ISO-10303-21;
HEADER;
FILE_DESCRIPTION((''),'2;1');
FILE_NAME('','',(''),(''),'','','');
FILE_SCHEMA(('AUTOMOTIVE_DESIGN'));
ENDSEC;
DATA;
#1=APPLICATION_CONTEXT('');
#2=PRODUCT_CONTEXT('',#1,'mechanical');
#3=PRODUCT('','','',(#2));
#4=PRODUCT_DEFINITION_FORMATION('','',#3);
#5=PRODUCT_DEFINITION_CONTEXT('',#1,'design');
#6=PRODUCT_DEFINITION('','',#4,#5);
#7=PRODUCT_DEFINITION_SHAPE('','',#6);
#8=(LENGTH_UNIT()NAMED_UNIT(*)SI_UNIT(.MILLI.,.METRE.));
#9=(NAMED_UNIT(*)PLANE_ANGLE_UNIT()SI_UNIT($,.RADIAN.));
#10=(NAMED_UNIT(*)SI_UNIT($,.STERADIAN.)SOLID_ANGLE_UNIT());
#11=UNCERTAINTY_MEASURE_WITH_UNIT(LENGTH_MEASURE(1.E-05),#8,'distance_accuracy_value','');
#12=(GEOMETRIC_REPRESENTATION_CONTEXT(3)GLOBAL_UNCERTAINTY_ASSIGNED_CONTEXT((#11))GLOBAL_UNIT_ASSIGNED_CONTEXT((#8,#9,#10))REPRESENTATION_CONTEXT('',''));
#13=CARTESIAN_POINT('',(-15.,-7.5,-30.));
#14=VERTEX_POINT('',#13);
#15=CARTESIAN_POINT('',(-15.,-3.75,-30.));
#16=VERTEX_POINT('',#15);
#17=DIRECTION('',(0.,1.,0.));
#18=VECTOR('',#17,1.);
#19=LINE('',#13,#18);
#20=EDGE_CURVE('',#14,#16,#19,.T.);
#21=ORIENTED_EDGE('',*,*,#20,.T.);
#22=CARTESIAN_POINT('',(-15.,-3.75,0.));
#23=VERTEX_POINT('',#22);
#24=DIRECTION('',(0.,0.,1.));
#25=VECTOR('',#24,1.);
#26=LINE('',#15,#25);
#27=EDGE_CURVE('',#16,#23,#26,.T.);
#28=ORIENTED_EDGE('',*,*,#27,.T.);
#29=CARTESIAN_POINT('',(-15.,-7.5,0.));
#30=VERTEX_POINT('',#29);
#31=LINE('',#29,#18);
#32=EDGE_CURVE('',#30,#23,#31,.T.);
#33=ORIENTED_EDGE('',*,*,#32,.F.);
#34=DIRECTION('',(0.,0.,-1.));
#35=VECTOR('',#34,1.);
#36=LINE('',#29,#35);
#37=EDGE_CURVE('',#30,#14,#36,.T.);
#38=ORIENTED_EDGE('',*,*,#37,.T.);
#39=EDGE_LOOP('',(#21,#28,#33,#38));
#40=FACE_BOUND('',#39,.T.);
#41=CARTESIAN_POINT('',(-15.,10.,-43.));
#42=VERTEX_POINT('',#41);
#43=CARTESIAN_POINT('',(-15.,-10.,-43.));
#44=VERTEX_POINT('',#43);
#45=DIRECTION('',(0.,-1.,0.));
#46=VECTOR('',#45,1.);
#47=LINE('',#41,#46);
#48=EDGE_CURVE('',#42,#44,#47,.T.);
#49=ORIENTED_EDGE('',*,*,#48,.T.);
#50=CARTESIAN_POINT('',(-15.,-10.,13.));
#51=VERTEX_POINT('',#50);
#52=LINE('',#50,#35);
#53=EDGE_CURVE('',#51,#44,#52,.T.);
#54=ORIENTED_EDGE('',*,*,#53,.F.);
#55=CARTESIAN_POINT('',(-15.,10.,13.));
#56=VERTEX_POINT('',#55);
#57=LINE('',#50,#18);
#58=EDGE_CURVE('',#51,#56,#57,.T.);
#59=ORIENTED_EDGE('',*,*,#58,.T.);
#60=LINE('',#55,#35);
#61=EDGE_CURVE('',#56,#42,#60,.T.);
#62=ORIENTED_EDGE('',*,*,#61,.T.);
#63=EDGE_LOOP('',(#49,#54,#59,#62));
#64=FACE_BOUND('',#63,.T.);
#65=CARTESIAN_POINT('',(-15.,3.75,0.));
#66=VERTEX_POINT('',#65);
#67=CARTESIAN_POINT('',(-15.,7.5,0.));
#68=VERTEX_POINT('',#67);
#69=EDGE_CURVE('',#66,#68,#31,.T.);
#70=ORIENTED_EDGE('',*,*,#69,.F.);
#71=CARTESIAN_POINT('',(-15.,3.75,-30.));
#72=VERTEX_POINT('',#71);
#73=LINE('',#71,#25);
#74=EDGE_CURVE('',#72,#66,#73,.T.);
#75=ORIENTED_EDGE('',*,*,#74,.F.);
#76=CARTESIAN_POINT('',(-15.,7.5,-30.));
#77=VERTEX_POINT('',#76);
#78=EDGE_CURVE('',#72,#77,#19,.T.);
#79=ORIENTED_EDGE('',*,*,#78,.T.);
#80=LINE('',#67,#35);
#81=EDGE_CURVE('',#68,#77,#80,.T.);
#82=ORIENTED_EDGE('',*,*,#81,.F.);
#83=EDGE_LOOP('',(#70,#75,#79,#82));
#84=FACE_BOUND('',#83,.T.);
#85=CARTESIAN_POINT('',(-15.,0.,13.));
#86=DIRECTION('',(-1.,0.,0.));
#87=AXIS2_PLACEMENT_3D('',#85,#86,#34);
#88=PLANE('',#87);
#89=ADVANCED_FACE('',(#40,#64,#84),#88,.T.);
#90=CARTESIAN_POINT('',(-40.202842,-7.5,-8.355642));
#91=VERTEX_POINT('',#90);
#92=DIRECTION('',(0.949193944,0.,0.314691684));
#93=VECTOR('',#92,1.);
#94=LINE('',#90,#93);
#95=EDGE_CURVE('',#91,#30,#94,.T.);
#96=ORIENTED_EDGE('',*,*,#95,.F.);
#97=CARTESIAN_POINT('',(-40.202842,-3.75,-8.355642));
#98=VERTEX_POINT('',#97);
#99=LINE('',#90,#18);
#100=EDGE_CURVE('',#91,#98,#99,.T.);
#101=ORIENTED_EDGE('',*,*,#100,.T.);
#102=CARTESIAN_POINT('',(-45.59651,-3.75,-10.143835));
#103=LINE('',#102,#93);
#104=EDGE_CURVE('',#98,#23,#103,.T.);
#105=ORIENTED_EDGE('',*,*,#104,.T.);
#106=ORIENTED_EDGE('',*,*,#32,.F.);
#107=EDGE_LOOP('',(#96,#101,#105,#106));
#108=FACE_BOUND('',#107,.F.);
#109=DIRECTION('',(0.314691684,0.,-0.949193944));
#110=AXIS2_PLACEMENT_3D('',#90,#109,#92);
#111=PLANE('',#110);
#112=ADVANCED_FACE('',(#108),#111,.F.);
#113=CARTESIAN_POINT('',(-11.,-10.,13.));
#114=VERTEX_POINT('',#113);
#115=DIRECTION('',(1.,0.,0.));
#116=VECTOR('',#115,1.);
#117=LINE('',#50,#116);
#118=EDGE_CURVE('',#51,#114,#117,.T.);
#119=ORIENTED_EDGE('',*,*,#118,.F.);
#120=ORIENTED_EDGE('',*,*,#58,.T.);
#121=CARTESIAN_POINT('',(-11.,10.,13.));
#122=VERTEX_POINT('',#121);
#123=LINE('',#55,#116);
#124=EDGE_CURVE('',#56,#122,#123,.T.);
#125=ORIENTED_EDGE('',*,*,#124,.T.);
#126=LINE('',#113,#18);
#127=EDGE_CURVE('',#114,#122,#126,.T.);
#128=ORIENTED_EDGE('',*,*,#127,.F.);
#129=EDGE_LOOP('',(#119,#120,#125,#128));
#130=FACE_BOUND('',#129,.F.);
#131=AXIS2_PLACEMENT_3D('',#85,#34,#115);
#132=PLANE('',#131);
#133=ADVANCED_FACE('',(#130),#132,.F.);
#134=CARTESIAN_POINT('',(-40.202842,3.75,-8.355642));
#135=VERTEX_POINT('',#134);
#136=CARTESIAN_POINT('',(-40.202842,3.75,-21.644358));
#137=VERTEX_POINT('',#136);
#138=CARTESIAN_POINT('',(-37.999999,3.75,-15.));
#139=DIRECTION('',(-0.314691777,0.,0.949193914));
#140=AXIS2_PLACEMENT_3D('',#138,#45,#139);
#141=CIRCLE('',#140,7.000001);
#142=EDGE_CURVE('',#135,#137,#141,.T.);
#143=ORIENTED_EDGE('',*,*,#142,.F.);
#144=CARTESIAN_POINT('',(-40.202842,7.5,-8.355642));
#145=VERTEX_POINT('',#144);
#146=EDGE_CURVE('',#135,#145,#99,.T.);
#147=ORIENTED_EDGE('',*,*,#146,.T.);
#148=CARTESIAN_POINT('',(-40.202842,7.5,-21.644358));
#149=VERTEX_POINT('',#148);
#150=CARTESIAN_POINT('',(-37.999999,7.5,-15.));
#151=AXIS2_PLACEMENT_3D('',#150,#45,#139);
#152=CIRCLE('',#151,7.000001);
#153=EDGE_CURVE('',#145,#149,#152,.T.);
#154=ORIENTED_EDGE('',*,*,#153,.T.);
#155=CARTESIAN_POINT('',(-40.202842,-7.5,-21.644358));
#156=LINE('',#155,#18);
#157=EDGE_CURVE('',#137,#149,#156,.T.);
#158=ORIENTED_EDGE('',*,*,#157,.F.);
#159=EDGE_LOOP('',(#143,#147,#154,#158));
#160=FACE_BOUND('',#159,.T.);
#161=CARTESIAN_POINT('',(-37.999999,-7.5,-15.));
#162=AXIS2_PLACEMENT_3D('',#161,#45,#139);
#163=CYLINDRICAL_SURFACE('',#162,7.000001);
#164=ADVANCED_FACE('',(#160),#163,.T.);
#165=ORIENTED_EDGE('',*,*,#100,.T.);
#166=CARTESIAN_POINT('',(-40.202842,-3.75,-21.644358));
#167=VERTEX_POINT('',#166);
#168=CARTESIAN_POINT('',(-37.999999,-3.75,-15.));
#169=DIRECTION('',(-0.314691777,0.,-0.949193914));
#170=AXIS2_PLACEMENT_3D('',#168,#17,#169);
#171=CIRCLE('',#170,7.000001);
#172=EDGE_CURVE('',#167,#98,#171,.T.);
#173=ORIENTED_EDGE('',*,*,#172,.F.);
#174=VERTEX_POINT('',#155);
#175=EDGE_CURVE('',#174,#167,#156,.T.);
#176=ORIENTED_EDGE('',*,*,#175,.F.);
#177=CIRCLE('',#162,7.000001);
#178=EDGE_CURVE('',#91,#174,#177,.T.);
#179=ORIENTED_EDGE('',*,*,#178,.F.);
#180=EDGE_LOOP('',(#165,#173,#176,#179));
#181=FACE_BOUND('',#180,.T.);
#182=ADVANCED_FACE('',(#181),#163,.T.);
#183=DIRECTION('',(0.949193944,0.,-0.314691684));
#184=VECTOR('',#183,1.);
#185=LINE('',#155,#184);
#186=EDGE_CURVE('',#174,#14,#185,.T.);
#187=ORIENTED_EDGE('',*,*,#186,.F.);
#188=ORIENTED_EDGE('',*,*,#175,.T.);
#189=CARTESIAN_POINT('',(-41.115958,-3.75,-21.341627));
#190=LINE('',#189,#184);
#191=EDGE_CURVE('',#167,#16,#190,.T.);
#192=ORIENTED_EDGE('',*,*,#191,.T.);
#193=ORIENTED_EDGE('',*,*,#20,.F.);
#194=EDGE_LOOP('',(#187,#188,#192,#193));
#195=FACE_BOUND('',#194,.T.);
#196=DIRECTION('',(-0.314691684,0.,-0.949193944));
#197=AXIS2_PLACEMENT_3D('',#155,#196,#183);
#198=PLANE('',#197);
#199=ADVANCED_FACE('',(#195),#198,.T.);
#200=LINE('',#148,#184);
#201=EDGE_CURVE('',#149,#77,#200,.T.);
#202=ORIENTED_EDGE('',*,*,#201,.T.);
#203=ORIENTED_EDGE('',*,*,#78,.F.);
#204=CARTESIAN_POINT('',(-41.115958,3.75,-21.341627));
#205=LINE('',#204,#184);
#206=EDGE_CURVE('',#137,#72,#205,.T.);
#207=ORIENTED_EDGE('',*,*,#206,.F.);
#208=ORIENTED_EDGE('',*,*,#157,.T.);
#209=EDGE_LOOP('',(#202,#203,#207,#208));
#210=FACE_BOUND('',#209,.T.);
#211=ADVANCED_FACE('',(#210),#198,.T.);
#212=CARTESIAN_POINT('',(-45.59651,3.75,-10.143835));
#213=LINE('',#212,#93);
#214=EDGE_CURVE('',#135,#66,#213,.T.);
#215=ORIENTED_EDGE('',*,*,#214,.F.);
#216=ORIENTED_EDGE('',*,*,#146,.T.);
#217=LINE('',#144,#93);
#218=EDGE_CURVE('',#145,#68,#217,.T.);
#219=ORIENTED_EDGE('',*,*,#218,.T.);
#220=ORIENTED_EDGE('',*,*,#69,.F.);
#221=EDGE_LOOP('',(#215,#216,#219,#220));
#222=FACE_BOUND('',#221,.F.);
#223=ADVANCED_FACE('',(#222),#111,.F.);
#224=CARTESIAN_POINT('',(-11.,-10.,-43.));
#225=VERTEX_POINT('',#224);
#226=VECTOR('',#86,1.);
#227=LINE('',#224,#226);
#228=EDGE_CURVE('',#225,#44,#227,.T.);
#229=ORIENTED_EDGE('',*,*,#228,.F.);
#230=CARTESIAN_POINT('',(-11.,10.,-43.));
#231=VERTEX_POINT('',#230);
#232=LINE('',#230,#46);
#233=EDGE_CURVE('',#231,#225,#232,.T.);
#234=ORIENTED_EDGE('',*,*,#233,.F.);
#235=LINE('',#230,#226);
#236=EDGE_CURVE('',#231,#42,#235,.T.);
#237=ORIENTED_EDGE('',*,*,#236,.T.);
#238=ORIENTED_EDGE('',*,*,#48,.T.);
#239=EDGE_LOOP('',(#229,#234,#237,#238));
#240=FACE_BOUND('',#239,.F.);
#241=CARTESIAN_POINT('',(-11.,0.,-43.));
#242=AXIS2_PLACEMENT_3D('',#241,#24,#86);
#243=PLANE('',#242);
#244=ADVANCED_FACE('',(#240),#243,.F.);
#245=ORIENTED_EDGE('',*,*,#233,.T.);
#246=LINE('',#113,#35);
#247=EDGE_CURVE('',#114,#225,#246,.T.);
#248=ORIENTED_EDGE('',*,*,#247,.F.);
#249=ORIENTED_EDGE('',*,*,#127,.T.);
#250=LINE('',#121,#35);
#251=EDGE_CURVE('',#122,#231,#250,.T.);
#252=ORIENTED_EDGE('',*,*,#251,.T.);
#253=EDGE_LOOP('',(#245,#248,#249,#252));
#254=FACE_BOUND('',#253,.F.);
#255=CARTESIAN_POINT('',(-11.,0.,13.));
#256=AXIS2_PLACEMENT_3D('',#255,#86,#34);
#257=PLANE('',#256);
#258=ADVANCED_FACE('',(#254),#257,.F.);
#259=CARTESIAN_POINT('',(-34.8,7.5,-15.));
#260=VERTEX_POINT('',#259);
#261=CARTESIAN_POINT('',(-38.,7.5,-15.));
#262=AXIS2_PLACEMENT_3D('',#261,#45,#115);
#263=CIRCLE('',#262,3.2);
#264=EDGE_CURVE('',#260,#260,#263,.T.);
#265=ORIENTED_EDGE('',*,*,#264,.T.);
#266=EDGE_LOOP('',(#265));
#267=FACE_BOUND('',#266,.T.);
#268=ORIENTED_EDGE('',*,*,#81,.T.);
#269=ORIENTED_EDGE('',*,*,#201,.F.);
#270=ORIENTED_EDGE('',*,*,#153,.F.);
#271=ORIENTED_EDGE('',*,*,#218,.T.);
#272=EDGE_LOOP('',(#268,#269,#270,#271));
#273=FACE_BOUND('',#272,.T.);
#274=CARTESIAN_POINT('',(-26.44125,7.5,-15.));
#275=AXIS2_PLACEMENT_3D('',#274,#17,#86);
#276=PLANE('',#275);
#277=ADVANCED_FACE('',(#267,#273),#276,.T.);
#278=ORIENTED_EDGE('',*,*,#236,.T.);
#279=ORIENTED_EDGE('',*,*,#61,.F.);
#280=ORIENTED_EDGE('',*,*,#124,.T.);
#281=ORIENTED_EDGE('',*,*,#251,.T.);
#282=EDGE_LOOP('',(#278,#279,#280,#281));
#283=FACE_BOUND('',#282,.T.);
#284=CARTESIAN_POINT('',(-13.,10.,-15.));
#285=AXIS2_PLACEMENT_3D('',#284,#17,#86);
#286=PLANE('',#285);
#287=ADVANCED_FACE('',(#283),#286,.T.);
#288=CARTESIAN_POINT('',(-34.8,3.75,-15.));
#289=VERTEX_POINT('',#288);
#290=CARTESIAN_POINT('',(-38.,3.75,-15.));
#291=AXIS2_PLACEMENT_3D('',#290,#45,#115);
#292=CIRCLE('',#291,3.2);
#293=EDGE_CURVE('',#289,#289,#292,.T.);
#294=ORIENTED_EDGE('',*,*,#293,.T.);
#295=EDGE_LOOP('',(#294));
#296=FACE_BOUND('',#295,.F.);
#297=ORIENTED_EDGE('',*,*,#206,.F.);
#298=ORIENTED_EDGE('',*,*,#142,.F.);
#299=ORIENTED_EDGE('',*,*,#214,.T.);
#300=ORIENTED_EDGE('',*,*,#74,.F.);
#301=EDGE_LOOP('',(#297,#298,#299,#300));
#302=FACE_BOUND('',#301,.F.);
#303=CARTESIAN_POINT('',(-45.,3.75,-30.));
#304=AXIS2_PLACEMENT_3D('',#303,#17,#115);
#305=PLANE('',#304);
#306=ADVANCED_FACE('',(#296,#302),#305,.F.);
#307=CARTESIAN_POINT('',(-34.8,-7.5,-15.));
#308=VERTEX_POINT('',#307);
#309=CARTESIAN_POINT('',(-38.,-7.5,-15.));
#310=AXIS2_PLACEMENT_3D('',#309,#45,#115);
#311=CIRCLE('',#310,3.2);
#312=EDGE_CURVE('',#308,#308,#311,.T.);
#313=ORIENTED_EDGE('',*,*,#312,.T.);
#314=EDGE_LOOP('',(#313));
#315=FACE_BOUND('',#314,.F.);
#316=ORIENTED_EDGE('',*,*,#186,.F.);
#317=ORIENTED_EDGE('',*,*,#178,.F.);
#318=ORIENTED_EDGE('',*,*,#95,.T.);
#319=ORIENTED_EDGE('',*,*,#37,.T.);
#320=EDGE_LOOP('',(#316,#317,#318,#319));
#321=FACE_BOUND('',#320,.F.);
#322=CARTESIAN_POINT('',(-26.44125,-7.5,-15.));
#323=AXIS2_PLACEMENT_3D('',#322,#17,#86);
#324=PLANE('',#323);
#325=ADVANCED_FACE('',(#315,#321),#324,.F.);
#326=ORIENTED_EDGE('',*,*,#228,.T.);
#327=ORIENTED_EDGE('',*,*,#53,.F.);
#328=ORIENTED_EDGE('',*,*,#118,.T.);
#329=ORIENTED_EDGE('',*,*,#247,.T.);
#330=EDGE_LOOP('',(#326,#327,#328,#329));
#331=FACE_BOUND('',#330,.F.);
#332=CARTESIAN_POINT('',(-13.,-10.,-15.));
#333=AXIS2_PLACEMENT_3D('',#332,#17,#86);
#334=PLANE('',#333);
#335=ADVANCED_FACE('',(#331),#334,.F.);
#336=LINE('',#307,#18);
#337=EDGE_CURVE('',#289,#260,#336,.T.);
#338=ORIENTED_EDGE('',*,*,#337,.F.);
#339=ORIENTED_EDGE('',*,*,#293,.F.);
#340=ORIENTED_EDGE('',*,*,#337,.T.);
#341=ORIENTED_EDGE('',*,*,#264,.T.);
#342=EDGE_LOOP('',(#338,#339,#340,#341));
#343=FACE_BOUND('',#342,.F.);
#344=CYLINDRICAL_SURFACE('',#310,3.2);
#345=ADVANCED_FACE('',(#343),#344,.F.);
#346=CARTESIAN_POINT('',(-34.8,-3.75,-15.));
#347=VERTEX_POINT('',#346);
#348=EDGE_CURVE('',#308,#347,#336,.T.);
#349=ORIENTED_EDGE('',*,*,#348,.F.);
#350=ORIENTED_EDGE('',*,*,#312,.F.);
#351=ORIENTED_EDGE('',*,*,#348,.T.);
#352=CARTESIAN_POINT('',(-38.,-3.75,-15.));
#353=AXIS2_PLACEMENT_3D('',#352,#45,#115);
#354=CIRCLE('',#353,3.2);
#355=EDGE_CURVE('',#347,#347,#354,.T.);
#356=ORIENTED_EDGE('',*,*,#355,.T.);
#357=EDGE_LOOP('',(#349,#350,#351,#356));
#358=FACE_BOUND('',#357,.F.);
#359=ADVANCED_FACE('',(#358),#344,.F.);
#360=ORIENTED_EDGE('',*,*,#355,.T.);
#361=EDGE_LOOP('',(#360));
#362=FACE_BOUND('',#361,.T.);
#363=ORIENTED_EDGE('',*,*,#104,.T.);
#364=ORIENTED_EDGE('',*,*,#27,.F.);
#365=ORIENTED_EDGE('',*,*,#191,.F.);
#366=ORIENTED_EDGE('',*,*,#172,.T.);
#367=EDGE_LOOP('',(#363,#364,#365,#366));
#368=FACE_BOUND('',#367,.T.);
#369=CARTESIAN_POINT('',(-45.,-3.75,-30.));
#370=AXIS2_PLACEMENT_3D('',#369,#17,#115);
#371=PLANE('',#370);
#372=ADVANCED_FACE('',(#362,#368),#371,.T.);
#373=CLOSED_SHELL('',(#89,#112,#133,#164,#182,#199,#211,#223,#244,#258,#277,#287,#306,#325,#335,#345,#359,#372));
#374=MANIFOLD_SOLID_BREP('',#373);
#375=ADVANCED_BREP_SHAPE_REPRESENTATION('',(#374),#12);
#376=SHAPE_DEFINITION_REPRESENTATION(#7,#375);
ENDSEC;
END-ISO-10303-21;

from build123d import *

# Parameters (mm, degrees)
RECTANGLE001_W   = 30
RECTANGLE001_H   = 7.5
EXTRUDE003_DEPTH = 30
SKETCH_R         = 3.2
EXTRUDE002_DEPTH = 15
EXTRUDE_DEPTH    = 10


with BuildPart() as extrude003:
    # Rectangle001 → Extrude003 (new body)
    with BuildSketch(Plane(origin=(-30, -3.75, -15), x_dir=(1, 0, 0), z_dir=(0, 0, 1))):
        with Locations((15, 3.75)):
            Rectangle(RECTANGLE001_W, RECTANGLE001_H)
    extrude(amount=EXTRUDE003_DEPTH)


with BuildPart() as extrude003_1:
    # Extrude003 placement: moved
    add(extrude003.part.moved(Location((-15, 0, -15))))


with BuildPart() as cut:
    # Sketch → Extrude002 (new body)
    with BuildSketch(Plane(origin=(-15, 0, -30), x_dir=(1, 0, 0), z_dir=(0, -1, 0))):
        with BuildLine():
            Line((-25.202842, 21.644358), (0, 30))
            Line((0, 30), (0, 0))
            Line((-25.202842, 8.355642), (0, 0))
            ThreePointArc((-25.202842, 21.644358), (-30, 15), (-25.202842, 8.355642))
        make_face()
        with Locations((-23, 15)):
            Circle(SKETCH_R, mode=Mode.SUBTRACT)
    extrude(amount=-EXTRUDE002_DEPTH)


with BuildPart() as cut_1:
    # Extrude002 placement: moved
    add(cut.part.moved(Location((0, -7.5, 0))))

    # Cut: cut Extrude003
    add(extrude003_1.part, mode=Mode.SUBTRACT)


with BuildPart() as body:
    # Sketch001 → Extrude (new body, symmetric)
    with BuildSketch(Plane.XZ):
        Polygon((-15, 0), (-15, 13), (-11, 13), (-11, -43), (-15, -43), (-15, -30), align=None)
    extrude(amount=EXTRUDE_DEPTH, both=True)

    # Fusion: union Cut
    add(cut_1.part)


solid = body.part
